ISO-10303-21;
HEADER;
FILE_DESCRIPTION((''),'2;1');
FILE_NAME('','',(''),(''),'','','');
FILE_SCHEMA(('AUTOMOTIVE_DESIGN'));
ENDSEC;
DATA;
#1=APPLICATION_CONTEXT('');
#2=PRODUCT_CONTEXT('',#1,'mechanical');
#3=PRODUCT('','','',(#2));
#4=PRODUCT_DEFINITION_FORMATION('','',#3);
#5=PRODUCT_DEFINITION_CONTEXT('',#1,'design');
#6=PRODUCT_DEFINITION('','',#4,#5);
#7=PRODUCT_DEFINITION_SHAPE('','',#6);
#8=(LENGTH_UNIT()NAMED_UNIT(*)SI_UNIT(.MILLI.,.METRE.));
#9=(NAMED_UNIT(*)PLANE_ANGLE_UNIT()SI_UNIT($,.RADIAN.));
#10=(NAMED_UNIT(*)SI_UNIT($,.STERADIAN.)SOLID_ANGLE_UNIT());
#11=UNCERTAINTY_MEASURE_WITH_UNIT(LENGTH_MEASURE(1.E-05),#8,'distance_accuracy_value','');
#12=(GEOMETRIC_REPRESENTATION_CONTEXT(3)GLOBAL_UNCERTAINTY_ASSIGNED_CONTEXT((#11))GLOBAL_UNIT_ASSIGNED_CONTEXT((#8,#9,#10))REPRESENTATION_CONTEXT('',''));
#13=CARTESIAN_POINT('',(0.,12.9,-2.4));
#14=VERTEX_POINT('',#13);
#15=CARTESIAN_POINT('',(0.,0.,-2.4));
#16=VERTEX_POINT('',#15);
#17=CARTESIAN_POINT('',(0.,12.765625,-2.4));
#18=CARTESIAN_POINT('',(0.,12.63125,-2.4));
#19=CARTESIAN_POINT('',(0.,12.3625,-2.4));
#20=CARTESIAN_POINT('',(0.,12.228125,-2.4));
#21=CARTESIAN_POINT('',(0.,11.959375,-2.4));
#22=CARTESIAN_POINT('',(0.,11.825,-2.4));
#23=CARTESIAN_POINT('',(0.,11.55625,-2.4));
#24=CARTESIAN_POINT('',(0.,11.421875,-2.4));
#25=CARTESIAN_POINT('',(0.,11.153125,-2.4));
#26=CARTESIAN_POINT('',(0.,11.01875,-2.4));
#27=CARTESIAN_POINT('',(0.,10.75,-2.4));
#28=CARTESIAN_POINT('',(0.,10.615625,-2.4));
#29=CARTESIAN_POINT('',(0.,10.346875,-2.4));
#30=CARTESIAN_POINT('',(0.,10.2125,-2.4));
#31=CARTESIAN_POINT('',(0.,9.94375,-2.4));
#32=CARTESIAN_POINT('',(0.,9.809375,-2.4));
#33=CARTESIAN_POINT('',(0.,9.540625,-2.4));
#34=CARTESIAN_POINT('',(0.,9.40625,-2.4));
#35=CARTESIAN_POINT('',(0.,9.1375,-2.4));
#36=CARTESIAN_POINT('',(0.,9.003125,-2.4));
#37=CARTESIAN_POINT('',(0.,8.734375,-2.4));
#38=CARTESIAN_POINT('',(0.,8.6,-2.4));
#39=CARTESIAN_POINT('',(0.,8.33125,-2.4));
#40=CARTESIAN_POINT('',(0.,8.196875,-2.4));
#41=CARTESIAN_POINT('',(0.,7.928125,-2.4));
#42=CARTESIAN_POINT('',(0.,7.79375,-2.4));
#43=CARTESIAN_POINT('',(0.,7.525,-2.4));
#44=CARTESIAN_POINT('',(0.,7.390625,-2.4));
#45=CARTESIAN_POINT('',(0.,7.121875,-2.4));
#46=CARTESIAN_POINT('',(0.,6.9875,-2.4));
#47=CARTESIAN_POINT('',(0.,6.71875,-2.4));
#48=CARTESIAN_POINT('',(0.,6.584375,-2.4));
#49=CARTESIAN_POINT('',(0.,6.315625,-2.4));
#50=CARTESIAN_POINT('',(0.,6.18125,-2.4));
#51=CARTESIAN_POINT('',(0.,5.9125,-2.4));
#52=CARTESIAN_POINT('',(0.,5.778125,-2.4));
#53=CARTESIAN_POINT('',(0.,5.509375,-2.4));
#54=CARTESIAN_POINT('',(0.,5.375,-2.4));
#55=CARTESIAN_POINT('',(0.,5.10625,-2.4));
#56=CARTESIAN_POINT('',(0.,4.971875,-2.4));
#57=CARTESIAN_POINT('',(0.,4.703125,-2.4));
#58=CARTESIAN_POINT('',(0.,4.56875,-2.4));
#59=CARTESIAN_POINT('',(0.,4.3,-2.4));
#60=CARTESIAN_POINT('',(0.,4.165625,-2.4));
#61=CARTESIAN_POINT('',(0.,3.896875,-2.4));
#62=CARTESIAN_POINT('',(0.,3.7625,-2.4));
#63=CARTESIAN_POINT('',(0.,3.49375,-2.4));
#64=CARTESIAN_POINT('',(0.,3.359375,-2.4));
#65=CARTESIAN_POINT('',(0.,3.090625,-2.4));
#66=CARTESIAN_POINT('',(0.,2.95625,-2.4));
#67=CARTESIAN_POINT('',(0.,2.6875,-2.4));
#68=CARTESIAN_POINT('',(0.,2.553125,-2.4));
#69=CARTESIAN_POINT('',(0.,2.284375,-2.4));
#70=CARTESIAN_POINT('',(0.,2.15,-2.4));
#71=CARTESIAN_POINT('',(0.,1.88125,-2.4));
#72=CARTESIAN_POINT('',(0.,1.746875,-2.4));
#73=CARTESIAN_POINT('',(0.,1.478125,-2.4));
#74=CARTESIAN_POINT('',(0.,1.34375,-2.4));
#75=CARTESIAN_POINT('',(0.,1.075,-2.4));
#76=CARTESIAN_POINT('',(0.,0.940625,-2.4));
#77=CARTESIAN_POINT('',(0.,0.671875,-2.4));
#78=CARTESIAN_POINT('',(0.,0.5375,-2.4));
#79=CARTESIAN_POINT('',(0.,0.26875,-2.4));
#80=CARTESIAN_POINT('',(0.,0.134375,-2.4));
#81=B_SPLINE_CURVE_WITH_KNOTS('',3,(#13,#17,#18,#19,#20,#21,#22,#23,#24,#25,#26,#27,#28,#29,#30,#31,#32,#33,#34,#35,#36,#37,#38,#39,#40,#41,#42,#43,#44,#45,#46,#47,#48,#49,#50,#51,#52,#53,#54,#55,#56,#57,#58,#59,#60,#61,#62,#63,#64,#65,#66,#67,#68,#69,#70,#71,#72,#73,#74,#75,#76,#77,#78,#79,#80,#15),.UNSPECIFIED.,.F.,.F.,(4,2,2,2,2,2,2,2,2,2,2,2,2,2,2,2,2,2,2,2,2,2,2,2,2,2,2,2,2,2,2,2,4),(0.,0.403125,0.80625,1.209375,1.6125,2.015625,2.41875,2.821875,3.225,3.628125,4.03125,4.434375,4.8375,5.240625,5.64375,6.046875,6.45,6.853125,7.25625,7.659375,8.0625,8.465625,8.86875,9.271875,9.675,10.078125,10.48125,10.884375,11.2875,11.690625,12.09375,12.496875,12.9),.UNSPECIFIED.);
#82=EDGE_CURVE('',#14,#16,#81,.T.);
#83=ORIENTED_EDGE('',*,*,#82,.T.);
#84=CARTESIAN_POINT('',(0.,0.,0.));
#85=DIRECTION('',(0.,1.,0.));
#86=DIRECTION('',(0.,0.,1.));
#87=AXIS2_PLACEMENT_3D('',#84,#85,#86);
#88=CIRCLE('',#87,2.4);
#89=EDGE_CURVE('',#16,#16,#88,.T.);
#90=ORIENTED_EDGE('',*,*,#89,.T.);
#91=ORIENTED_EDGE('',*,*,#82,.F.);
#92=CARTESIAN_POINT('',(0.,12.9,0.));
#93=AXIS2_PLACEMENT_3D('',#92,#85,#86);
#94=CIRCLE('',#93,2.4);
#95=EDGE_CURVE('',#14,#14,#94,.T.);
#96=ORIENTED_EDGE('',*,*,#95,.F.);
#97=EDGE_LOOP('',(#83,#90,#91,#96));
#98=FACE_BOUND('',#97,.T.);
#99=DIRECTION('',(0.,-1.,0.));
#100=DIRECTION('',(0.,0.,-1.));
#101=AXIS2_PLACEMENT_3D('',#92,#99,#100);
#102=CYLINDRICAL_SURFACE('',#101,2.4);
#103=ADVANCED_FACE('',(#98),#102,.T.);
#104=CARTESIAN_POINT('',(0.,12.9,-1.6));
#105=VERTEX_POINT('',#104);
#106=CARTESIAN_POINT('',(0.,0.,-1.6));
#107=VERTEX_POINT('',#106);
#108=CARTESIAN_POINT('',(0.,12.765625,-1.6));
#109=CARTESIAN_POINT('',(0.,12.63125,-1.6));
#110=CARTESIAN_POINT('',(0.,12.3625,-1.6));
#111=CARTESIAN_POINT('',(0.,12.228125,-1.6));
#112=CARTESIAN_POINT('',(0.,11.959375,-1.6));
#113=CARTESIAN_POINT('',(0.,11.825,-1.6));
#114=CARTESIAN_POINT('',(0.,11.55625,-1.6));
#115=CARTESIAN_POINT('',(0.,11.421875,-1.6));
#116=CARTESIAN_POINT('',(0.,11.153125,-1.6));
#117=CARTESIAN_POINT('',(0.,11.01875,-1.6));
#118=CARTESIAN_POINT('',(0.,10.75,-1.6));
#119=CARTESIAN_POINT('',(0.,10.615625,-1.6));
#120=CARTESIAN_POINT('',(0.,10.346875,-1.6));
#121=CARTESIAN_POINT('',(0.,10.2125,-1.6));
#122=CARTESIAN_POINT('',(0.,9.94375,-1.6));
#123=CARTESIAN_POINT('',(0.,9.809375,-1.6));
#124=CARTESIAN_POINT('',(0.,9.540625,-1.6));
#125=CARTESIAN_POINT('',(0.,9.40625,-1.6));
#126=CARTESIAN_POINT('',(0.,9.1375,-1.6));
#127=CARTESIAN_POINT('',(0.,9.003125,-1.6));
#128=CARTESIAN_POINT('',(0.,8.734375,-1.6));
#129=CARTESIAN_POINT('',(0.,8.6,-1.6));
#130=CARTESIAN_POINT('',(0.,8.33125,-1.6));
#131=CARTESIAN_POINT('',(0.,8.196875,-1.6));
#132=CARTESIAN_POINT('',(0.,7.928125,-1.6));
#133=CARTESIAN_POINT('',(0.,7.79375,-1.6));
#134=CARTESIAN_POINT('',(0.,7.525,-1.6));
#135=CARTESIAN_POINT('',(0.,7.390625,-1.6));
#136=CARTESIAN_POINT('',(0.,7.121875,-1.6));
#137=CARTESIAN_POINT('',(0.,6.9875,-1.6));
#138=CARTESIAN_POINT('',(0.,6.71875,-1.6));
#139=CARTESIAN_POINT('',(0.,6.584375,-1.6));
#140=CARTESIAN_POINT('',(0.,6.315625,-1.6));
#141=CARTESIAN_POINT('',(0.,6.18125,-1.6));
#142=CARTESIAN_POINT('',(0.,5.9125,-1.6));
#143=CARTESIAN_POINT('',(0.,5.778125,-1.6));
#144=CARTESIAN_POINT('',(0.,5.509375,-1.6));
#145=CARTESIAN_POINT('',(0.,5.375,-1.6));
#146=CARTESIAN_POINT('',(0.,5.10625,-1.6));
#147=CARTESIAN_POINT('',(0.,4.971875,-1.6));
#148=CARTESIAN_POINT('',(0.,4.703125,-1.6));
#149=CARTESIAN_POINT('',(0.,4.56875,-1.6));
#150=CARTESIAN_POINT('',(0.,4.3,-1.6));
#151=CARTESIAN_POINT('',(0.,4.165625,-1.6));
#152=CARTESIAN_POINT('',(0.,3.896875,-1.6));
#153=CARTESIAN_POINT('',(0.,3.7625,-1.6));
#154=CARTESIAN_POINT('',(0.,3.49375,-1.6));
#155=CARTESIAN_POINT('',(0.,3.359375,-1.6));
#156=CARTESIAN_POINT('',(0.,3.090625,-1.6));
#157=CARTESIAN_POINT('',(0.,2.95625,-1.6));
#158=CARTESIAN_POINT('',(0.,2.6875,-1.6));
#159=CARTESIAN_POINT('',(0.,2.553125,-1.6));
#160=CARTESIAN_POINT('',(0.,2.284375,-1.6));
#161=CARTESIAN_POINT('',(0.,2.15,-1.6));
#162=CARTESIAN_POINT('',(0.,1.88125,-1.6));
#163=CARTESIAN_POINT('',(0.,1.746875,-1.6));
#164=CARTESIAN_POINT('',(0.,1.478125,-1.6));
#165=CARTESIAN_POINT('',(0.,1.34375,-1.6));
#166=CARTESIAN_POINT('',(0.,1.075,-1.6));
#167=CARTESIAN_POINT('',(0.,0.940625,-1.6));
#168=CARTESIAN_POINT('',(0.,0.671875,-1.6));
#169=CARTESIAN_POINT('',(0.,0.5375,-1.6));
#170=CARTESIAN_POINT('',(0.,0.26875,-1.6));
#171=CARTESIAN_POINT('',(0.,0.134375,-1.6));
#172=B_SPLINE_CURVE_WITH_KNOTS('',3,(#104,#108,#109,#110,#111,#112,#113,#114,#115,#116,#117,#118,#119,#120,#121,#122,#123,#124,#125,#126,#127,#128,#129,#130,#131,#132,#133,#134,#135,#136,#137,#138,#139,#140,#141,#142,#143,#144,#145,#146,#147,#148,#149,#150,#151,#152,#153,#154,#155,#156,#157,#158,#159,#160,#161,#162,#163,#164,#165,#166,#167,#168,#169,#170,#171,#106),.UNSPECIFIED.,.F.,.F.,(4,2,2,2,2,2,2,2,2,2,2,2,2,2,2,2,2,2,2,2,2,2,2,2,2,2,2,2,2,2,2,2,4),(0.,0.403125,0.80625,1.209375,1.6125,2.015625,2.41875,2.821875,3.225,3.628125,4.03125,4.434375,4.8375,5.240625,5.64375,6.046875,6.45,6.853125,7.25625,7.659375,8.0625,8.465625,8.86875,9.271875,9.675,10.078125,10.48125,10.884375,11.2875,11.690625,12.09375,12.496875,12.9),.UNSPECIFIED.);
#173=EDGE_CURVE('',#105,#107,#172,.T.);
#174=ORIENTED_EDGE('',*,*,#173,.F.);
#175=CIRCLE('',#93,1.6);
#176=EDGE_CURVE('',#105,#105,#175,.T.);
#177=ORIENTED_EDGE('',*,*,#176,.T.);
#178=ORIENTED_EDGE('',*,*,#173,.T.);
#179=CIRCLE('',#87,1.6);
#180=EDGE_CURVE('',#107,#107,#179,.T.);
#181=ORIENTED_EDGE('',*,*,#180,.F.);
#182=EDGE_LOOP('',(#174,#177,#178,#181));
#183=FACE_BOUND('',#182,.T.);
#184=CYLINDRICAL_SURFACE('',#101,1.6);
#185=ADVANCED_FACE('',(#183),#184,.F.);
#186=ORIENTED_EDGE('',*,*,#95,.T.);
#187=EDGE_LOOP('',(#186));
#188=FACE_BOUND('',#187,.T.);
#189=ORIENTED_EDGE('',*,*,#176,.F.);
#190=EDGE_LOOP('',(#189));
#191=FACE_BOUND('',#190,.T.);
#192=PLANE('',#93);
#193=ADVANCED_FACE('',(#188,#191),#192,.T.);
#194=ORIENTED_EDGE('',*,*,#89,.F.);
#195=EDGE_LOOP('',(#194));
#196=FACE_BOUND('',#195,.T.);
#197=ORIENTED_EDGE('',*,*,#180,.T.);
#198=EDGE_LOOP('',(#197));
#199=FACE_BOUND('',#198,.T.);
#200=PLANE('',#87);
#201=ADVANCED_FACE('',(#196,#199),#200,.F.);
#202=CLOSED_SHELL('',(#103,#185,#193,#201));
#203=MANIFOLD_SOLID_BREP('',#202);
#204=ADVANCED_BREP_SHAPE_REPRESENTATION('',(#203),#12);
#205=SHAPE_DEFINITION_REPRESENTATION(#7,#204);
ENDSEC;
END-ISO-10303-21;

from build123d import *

# Parameters (mm, degrees)
SKETCH_1_R      = 2.4
SKETCH_1_R_2    = 1.6
EXTRUDE_1_DEPTH = 12.9


with BuildPart() as part:
    # Эскиз1 → Бобышка-Вытянуть1 (new body)
    with BuildSketch(Plane(origin=(0, 0, 0), x_dir=(1, 0, 0), z_dir=(0, 1, 0))):
        with Locations(Location((0, 0, 0), (0, 0, 90))):
            Circle(SKETCH_1_R)
        with Locations(Location((0, 0, 0), (0, 0, 90))):
            Circle(SKETCH_1_R_2, mode=Mode.SUBTRACT)
    extrude(amount=EXTRUDE_1_DEPTH)


solid = part.part
